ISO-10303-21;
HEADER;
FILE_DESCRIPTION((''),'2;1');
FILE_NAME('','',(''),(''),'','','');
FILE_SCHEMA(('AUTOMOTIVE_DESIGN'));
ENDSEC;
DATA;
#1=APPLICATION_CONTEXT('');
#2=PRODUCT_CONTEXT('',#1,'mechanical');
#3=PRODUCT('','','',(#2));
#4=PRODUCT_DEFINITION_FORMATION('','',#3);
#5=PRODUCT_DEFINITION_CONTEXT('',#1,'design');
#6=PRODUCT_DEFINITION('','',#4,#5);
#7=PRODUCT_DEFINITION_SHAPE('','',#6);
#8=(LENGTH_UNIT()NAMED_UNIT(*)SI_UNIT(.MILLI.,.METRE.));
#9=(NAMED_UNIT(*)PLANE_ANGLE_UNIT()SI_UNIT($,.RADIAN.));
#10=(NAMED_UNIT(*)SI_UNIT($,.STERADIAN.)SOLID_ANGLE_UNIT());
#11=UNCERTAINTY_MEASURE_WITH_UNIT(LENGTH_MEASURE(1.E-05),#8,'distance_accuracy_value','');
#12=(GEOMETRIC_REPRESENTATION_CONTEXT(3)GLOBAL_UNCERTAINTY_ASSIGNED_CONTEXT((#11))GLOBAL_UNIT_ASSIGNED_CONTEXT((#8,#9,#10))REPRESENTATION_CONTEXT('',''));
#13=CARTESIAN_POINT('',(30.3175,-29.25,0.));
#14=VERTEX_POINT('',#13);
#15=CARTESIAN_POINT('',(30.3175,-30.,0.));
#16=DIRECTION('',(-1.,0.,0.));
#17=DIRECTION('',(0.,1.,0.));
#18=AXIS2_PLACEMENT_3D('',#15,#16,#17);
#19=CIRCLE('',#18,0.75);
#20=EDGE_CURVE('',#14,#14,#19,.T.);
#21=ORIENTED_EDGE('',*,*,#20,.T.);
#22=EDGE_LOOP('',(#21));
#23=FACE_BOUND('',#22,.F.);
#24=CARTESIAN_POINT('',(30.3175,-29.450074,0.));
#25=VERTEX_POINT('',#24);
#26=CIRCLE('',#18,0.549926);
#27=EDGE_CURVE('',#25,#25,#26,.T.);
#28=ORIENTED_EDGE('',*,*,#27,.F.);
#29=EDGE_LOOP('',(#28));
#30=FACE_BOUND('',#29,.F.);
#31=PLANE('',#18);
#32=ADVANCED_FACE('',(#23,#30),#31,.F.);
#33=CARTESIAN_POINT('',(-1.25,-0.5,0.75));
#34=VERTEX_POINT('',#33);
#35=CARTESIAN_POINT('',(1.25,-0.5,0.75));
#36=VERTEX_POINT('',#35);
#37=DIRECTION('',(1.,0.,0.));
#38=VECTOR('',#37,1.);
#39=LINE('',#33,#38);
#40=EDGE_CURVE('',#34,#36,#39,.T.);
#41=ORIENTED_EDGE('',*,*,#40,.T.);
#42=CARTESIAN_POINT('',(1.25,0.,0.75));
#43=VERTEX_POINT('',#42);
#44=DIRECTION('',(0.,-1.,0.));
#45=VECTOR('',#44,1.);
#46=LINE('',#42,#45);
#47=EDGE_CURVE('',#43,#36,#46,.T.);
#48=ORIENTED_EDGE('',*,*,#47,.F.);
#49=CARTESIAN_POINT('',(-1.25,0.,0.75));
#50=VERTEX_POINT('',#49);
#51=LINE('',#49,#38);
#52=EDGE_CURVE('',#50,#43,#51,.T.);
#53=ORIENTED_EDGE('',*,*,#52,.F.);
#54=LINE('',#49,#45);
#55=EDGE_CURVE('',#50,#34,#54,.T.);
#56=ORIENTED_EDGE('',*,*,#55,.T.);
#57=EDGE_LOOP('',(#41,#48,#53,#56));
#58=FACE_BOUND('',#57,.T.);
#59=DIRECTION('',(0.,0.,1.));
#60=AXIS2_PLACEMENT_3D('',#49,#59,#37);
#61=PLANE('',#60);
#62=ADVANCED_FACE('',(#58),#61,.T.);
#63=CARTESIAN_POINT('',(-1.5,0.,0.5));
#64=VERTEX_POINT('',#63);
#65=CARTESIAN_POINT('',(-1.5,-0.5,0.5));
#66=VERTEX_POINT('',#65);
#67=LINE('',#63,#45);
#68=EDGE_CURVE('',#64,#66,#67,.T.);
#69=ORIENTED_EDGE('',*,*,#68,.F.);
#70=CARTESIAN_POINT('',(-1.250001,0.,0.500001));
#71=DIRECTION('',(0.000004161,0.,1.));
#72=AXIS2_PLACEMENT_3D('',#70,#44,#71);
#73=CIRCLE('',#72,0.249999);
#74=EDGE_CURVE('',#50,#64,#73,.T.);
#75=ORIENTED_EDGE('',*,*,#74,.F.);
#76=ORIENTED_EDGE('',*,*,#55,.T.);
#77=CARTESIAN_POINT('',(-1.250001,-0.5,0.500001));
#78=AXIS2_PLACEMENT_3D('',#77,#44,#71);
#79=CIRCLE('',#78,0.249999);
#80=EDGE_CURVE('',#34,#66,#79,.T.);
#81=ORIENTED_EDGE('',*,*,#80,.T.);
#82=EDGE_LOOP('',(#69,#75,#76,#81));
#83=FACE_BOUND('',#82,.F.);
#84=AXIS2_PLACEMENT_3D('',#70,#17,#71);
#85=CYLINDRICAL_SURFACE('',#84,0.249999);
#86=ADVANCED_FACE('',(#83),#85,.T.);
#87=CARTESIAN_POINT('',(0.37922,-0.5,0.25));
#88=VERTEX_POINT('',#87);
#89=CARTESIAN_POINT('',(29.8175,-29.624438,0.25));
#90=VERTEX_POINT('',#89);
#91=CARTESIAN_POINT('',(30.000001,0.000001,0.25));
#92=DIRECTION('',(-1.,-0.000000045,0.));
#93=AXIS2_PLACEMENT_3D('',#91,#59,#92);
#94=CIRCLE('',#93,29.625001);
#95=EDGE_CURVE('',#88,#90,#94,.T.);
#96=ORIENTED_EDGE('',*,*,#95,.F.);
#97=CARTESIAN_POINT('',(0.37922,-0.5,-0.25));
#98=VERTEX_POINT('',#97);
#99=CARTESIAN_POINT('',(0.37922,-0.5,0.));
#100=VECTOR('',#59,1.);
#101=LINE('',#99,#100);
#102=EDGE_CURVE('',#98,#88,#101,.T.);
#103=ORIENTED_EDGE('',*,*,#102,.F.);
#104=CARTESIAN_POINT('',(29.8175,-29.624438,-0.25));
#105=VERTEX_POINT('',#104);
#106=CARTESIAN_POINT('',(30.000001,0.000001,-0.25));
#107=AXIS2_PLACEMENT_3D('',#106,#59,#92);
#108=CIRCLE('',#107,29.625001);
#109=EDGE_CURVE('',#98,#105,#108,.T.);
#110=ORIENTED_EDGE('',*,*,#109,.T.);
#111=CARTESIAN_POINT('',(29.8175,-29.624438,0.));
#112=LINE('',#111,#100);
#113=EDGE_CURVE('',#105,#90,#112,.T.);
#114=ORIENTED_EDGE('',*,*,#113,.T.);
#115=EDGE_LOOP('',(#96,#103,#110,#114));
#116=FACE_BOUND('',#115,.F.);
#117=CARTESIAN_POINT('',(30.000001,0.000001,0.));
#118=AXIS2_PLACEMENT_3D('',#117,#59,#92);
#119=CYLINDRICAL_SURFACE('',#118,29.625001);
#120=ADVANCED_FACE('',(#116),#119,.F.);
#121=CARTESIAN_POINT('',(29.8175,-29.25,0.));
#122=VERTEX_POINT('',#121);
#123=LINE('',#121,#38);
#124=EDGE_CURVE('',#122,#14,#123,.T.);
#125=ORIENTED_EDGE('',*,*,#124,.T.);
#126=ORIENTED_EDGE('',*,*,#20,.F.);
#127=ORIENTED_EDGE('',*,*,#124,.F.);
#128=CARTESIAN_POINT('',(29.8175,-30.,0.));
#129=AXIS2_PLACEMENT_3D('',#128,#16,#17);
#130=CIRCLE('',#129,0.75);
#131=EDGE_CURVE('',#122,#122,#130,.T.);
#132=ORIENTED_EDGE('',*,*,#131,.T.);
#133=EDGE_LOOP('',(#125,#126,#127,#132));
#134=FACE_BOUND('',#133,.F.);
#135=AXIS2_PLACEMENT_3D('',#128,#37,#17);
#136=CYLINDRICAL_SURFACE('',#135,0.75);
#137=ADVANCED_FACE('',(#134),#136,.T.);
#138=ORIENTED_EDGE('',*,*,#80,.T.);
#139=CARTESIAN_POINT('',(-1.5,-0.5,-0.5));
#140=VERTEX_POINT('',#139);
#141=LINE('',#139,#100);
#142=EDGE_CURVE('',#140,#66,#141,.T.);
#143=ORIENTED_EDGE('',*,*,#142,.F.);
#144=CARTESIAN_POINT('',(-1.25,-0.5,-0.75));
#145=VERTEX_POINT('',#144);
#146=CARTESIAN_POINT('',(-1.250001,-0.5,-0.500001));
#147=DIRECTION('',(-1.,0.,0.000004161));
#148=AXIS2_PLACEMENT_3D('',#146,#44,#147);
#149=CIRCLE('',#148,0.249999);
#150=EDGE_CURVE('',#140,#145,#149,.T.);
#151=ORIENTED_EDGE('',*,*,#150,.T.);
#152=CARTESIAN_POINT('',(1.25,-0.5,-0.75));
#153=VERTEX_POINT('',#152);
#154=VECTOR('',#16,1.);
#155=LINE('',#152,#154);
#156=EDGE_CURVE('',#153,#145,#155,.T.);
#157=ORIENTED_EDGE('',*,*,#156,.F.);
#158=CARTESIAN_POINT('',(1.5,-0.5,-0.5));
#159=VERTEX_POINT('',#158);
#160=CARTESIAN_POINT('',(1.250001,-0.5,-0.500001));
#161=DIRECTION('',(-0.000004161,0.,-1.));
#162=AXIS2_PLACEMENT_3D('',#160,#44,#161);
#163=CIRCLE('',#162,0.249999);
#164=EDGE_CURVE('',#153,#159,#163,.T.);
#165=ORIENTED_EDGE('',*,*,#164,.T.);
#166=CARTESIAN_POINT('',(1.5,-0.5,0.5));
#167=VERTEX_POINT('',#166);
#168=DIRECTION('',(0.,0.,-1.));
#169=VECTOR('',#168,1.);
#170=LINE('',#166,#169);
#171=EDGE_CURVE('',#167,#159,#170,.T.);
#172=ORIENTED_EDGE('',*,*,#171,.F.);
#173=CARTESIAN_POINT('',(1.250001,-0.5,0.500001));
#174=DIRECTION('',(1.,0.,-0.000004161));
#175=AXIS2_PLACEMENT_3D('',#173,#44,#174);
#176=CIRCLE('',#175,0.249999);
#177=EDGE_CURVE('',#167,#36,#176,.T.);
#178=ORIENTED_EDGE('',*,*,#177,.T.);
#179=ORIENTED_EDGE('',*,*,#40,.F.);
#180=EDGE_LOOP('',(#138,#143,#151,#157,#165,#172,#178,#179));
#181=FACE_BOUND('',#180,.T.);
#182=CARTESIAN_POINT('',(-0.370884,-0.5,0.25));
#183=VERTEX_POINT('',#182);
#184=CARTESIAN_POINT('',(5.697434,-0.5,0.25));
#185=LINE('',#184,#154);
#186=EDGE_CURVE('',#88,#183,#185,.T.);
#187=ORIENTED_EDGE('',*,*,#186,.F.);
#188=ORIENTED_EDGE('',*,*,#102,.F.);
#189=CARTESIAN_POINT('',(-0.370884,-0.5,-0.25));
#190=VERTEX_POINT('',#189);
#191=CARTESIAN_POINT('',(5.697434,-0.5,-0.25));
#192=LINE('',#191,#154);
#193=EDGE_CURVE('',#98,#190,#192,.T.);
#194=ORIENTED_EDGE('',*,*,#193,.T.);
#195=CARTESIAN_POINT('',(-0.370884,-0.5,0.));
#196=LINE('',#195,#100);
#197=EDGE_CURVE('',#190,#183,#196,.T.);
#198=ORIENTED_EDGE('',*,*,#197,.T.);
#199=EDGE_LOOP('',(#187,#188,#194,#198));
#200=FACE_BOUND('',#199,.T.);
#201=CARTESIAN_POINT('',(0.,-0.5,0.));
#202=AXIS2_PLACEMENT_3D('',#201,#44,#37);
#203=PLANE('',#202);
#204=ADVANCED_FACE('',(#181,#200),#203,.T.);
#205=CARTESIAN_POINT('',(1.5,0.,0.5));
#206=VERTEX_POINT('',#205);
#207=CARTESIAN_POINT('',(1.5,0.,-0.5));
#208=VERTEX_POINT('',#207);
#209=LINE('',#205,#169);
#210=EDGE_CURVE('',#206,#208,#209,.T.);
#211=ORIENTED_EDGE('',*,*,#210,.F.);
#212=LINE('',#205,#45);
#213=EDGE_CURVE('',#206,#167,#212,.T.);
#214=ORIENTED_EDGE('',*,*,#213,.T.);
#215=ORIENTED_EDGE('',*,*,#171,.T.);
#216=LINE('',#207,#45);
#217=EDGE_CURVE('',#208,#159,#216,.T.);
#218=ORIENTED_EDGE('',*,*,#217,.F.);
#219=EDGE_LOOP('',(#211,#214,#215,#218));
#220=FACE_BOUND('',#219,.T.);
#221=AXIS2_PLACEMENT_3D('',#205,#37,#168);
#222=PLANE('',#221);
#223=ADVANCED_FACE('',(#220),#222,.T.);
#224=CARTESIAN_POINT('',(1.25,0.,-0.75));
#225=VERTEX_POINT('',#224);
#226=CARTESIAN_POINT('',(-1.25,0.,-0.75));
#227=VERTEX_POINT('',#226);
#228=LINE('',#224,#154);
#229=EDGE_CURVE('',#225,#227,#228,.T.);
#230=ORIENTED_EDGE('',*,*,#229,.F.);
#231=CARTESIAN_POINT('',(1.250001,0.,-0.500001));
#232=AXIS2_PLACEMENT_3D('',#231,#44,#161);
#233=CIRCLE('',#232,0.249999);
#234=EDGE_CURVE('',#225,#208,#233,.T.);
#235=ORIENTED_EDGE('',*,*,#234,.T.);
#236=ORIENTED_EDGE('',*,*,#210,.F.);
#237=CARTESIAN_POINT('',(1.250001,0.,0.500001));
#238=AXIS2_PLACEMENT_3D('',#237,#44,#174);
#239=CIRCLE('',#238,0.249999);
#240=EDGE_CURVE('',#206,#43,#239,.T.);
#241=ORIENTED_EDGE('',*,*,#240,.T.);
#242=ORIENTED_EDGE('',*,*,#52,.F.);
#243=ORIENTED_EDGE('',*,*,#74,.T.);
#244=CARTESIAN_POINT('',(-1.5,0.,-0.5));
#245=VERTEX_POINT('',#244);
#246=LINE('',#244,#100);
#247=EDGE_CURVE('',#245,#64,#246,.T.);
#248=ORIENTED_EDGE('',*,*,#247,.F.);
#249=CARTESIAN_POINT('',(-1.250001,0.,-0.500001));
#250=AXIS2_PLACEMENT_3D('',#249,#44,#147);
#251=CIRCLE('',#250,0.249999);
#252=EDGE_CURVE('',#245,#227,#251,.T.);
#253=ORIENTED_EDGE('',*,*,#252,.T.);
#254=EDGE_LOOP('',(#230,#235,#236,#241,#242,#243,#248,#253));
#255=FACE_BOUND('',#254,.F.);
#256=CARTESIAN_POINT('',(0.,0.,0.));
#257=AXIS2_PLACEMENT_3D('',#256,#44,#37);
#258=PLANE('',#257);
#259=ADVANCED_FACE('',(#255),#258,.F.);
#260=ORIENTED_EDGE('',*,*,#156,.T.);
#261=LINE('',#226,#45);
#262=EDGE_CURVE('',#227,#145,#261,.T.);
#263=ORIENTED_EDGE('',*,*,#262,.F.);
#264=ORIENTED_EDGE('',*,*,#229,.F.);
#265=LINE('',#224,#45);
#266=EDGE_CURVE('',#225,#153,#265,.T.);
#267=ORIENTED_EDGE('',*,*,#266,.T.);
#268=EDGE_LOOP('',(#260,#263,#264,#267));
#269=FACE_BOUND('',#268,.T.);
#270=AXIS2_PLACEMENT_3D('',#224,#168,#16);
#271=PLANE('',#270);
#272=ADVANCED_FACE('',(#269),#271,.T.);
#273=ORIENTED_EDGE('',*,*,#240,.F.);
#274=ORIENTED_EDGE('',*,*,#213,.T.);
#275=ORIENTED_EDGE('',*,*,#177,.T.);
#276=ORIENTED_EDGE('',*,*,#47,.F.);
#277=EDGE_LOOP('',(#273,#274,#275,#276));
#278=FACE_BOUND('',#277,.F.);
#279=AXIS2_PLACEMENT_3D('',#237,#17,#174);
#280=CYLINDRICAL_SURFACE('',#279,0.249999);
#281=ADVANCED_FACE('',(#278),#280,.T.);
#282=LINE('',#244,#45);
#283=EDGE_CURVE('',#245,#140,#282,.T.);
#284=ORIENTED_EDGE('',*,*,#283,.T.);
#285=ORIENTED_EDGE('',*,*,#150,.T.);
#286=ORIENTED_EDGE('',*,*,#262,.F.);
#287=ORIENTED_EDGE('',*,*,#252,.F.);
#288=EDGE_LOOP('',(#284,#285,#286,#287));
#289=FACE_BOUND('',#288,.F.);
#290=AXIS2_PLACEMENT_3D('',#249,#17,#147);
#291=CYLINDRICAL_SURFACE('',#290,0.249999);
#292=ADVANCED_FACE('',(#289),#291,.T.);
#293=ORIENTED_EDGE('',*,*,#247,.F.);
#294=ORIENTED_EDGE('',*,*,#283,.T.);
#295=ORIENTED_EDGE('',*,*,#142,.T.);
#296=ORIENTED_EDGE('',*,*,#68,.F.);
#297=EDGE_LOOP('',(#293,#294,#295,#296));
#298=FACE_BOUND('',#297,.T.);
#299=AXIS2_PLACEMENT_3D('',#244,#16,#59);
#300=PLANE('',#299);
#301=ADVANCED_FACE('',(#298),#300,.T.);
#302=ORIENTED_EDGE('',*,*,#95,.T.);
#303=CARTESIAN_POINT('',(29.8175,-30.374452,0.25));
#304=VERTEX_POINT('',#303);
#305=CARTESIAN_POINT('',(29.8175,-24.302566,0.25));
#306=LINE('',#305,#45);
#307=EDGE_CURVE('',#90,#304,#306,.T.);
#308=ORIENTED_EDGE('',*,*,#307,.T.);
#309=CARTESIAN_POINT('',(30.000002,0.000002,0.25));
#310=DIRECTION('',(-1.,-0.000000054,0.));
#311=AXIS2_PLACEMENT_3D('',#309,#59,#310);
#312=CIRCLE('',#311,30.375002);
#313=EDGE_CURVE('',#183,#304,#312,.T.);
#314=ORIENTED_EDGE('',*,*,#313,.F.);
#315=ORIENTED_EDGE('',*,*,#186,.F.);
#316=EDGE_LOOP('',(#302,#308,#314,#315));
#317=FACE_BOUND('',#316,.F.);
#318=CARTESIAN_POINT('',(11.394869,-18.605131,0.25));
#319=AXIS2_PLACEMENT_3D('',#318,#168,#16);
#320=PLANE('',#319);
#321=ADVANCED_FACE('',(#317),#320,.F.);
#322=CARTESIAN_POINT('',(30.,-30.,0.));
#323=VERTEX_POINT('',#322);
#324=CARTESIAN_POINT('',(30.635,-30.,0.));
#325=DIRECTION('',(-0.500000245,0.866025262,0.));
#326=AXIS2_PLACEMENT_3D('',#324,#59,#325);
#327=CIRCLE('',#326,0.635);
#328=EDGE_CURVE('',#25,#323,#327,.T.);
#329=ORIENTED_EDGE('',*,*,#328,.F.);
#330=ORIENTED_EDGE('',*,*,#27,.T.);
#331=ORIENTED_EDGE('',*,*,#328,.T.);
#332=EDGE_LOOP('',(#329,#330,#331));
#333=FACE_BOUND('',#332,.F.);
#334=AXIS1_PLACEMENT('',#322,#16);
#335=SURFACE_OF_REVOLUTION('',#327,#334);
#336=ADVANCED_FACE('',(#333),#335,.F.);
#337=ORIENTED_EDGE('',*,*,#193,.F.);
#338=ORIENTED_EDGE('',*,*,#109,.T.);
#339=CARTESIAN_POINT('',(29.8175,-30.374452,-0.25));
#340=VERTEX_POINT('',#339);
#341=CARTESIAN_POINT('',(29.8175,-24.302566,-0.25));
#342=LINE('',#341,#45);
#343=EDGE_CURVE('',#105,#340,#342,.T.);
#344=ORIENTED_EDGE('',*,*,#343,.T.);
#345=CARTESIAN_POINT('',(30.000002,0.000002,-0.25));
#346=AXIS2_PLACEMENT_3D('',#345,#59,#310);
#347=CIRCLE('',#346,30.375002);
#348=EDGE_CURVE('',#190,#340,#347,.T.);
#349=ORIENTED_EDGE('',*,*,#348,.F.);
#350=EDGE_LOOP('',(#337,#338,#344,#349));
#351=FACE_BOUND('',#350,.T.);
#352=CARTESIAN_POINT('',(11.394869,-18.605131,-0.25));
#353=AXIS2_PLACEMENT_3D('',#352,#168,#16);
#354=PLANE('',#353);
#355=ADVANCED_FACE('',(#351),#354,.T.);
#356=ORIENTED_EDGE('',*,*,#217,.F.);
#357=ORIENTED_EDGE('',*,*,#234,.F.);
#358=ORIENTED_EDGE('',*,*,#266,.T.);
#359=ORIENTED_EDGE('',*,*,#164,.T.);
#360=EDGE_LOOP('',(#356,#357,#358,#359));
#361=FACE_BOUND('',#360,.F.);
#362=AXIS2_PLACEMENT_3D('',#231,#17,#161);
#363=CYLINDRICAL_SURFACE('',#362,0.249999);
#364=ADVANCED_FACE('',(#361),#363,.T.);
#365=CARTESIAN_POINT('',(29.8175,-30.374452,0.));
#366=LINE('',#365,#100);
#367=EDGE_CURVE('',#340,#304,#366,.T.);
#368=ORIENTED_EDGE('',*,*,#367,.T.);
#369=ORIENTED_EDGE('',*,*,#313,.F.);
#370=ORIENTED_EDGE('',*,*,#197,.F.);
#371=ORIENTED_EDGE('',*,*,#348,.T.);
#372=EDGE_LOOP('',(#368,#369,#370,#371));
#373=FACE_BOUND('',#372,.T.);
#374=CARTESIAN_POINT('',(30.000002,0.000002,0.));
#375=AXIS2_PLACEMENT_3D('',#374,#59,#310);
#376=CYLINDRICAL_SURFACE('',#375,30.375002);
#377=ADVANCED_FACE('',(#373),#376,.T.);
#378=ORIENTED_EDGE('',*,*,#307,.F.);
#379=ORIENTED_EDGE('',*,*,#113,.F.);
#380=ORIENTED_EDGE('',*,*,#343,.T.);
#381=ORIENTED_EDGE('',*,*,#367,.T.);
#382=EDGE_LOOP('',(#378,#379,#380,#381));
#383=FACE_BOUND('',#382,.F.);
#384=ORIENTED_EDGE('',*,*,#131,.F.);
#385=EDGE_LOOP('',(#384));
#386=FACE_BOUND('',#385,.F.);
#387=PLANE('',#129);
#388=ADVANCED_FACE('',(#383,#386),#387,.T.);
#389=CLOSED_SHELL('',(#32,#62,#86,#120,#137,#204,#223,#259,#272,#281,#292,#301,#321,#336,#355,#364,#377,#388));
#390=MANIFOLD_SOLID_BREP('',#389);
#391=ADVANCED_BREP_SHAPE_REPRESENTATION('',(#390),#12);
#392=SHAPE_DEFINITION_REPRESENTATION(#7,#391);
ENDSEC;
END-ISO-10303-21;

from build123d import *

# Parameters (mm, degrees)
PAD_DEPTH    = 0.25
PAD001_DEPTH = 0.5


with BuildPart() as part:
    # Sketch → Pad (new body, symmetric)
    with BuildSketch(Plane.XY):
        with BuildLine():
            Line((-0.375, 0), (0, 0))
            Line((0, 0), (0.375, 0))
            ThreePointArc((0.375, 0), (9.051962, -20.948038), (30, -29.625))
            Line((30, -29.625), (30, -30.375))
            ThreePointArc((-0.375, 0), (8.521632, -21.478368), (30, -30.375))
        make_face()
    extrude(amount=PAD_DEPTH, both=True)

    # Sketch002 → Pad001 (join)
    with BuildSketch(Plane.XZ):
        with BuildLine():
            ThreePointArc((-1.25, 0.75), (-1.426777, 0.676777), (-1.5, 0.5))
            Line((-1.5, -0.5), (-1.5, 0.5))
            ThreePointArc((-1.5, -0.5), (-1.426777, -0.676777), (-1.25, -0.75))
            Line((1.25, -0.75), (-1.25, -0.75))
            ThreePointArc((1.25, -0.75), (1.426777, -0.676777), (1.5, -0.5))
            Line((1.5, 0.5), (1.5, -0.5))
            ThreePointArc((1.5, 0.5), (1.426777, 0.676777), (1.25, 0.75))
            Line((-1.25, 0.75), (1.25, 0.75))
        make_face()
    extrude(amount=PAD001_DEPTH)

    # Sketch003 (on DatumPlane) → Revolution (revolve)
    with BuildSketch(Plane(origin=(30, -30, 0), x_dir=(1, 0, 0), z_dir=(0, 0, 1))):
        with BuildLine():
            Line((0, 0), (-0.1825, 0))
            Line((-0.1825, 0), (-0.1825, 0.75))
            Line((-0.1825, 0.75), (0.3175, 0.75))
            Line((0.3175, 0.75), (0.3175, 0.549926))
            ThreePointArc((0.3175, 0.549926), (0.085074, 0.3175), (0, 0))
        make_face()
    revolve(axis=Axis((30, -30, 0), (-1, 0, 0)))


solid = part.part
